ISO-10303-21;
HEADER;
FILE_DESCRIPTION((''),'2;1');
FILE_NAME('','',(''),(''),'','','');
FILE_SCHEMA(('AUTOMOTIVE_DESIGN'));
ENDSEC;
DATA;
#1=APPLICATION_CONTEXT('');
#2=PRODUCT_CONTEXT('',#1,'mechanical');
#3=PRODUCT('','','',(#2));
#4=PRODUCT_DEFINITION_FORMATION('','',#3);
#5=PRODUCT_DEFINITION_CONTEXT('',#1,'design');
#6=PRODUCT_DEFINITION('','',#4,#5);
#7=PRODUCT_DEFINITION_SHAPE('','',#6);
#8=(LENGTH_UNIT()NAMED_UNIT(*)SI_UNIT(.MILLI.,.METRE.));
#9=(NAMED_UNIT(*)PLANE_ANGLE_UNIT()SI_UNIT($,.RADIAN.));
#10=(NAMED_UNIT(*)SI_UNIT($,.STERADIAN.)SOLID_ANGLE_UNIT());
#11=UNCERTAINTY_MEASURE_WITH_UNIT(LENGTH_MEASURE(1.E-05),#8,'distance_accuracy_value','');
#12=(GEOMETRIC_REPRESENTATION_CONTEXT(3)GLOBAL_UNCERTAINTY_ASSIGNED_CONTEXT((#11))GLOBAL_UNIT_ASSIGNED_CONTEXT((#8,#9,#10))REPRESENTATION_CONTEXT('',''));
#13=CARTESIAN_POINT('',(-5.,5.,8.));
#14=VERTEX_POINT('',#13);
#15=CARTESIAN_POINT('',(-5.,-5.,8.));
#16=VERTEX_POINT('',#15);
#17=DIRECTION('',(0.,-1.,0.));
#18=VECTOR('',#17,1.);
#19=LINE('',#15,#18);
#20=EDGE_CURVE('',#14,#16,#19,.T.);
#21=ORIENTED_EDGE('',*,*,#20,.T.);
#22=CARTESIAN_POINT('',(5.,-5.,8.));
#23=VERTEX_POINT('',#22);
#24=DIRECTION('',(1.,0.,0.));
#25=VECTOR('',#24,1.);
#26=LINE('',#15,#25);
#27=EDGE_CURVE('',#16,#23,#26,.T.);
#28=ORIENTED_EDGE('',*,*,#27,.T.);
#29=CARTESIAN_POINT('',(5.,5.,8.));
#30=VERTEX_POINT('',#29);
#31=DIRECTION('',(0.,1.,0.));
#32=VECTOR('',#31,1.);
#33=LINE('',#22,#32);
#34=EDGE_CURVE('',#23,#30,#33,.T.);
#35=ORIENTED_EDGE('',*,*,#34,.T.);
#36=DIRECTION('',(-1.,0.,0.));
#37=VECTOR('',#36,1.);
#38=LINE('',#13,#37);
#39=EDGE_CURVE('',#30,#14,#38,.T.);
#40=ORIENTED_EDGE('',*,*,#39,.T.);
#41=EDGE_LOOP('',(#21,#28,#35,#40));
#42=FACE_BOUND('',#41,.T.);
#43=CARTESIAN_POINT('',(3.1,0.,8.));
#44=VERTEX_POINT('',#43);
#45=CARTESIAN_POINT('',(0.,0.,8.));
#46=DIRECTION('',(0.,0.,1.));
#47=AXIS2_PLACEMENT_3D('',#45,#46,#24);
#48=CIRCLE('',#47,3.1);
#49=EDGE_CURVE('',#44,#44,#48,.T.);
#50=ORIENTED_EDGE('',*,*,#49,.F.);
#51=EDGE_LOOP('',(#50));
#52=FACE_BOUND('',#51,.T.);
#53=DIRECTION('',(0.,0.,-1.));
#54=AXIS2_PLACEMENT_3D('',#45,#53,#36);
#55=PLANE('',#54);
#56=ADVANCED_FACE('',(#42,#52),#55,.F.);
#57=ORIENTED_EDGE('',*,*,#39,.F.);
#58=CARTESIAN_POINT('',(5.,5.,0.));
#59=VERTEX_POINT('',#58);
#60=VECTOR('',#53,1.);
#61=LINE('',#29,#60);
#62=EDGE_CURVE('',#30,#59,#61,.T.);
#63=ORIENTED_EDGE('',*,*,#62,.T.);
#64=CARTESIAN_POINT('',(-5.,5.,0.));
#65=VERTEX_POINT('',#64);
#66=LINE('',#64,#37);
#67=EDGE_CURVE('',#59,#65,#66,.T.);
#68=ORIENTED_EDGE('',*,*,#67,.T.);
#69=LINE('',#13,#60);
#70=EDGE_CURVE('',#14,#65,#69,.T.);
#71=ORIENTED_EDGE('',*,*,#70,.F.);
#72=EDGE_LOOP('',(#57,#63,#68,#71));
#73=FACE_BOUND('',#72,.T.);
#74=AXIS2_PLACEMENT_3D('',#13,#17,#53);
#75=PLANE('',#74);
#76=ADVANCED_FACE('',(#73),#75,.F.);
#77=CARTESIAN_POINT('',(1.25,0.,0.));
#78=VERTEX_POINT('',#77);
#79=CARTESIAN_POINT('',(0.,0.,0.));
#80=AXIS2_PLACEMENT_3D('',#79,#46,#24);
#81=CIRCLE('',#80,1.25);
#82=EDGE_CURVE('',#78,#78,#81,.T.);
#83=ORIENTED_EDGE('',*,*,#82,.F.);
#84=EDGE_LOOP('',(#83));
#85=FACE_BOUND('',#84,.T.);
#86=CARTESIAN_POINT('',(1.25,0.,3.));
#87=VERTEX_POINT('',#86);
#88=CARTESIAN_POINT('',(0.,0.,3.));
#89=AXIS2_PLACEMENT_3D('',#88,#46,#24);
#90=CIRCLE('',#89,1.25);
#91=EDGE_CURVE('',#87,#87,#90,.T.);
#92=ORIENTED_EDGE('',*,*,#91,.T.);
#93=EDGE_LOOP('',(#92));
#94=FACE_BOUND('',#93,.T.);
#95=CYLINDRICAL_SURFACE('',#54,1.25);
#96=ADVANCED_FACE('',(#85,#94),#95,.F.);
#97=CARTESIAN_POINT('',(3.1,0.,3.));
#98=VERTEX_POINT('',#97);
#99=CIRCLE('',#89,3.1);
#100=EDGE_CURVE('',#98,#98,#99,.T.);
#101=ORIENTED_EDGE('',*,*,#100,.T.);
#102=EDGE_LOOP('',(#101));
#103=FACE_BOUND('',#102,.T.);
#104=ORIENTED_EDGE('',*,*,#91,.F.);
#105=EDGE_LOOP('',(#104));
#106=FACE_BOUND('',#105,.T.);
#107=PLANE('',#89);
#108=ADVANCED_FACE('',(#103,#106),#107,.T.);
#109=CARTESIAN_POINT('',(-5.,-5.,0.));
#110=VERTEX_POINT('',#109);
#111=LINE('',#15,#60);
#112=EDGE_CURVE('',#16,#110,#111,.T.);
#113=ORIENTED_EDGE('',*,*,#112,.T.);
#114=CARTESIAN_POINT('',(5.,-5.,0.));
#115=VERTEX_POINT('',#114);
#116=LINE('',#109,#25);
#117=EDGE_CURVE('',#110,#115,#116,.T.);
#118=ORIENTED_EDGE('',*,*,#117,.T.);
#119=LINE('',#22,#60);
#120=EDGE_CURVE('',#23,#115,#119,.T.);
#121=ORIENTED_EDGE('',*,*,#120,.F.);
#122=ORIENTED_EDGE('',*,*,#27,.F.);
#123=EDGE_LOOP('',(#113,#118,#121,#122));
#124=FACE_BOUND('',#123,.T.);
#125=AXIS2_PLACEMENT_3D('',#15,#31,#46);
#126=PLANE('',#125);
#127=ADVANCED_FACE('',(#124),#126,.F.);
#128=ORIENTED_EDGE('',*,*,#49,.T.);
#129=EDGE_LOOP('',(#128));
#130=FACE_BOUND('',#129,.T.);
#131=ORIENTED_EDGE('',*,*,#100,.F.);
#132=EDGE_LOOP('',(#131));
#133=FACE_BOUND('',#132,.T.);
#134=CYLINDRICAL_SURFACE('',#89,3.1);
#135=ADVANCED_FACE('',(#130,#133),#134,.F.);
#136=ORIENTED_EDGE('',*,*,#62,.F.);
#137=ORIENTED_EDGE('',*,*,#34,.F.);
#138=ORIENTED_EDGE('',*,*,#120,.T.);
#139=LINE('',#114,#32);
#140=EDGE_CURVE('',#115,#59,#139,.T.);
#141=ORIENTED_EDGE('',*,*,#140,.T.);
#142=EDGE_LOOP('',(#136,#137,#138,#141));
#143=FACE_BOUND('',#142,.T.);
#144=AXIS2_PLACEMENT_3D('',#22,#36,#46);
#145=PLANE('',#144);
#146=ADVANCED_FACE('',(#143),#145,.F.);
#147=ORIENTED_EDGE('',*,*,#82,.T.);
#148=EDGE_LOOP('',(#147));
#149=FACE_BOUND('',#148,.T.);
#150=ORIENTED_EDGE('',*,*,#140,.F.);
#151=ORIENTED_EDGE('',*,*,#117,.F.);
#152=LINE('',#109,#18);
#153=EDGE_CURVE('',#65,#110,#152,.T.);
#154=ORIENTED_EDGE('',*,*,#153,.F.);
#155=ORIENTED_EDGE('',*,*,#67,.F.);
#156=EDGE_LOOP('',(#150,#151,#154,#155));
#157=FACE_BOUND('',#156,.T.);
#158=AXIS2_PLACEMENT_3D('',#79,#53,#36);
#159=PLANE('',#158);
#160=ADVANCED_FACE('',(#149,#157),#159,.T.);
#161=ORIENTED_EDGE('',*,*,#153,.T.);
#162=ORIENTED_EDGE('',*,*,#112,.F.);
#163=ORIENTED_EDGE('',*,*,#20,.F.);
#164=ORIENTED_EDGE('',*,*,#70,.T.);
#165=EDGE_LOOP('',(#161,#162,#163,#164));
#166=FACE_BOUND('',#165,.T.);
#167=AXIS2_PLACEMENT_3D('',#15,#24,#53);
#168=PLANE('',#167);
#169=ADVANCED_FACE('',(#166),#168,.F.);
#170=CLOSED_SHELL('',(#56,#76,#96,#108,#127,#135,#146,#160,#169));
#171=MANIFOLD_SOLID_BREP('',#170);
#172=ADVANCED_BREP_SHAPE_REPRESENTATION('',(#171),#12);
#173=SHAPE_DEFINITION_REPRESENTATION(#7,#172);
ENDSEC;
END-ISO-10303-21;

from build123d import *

# Parameters (mm, degrees)
SKETCH1_W          = 10
SKETCH1_H          = 10
SKETCH1_R          = 1.25
MAIN_DEPTH         = 8
SKETCH2_R          = 3.1
CUT_EXTRUDE1_DEPTH = 5


with BuildPart() as part:
    # Sketch1 → Main (new body)
    with BuildSketch(Plane.XY):
        Rectangle(SKETCH1_W, SKETCH1_H)
        Circle(SKETCH1_R, mode=Mode.SUBTRACT)
    extrude(amount=MAIN_DEPTH)

    # Sketch2 → Cut-Extrude1 (cut)
    with BuildSketch(Plane.XY.offset(8)):
        Circle(SKETCH2_R)
    extrude(amount=-CUT_EXTRUDE1_DEPTH, mode=Mode.SUBTRACT)


solid = part.part
